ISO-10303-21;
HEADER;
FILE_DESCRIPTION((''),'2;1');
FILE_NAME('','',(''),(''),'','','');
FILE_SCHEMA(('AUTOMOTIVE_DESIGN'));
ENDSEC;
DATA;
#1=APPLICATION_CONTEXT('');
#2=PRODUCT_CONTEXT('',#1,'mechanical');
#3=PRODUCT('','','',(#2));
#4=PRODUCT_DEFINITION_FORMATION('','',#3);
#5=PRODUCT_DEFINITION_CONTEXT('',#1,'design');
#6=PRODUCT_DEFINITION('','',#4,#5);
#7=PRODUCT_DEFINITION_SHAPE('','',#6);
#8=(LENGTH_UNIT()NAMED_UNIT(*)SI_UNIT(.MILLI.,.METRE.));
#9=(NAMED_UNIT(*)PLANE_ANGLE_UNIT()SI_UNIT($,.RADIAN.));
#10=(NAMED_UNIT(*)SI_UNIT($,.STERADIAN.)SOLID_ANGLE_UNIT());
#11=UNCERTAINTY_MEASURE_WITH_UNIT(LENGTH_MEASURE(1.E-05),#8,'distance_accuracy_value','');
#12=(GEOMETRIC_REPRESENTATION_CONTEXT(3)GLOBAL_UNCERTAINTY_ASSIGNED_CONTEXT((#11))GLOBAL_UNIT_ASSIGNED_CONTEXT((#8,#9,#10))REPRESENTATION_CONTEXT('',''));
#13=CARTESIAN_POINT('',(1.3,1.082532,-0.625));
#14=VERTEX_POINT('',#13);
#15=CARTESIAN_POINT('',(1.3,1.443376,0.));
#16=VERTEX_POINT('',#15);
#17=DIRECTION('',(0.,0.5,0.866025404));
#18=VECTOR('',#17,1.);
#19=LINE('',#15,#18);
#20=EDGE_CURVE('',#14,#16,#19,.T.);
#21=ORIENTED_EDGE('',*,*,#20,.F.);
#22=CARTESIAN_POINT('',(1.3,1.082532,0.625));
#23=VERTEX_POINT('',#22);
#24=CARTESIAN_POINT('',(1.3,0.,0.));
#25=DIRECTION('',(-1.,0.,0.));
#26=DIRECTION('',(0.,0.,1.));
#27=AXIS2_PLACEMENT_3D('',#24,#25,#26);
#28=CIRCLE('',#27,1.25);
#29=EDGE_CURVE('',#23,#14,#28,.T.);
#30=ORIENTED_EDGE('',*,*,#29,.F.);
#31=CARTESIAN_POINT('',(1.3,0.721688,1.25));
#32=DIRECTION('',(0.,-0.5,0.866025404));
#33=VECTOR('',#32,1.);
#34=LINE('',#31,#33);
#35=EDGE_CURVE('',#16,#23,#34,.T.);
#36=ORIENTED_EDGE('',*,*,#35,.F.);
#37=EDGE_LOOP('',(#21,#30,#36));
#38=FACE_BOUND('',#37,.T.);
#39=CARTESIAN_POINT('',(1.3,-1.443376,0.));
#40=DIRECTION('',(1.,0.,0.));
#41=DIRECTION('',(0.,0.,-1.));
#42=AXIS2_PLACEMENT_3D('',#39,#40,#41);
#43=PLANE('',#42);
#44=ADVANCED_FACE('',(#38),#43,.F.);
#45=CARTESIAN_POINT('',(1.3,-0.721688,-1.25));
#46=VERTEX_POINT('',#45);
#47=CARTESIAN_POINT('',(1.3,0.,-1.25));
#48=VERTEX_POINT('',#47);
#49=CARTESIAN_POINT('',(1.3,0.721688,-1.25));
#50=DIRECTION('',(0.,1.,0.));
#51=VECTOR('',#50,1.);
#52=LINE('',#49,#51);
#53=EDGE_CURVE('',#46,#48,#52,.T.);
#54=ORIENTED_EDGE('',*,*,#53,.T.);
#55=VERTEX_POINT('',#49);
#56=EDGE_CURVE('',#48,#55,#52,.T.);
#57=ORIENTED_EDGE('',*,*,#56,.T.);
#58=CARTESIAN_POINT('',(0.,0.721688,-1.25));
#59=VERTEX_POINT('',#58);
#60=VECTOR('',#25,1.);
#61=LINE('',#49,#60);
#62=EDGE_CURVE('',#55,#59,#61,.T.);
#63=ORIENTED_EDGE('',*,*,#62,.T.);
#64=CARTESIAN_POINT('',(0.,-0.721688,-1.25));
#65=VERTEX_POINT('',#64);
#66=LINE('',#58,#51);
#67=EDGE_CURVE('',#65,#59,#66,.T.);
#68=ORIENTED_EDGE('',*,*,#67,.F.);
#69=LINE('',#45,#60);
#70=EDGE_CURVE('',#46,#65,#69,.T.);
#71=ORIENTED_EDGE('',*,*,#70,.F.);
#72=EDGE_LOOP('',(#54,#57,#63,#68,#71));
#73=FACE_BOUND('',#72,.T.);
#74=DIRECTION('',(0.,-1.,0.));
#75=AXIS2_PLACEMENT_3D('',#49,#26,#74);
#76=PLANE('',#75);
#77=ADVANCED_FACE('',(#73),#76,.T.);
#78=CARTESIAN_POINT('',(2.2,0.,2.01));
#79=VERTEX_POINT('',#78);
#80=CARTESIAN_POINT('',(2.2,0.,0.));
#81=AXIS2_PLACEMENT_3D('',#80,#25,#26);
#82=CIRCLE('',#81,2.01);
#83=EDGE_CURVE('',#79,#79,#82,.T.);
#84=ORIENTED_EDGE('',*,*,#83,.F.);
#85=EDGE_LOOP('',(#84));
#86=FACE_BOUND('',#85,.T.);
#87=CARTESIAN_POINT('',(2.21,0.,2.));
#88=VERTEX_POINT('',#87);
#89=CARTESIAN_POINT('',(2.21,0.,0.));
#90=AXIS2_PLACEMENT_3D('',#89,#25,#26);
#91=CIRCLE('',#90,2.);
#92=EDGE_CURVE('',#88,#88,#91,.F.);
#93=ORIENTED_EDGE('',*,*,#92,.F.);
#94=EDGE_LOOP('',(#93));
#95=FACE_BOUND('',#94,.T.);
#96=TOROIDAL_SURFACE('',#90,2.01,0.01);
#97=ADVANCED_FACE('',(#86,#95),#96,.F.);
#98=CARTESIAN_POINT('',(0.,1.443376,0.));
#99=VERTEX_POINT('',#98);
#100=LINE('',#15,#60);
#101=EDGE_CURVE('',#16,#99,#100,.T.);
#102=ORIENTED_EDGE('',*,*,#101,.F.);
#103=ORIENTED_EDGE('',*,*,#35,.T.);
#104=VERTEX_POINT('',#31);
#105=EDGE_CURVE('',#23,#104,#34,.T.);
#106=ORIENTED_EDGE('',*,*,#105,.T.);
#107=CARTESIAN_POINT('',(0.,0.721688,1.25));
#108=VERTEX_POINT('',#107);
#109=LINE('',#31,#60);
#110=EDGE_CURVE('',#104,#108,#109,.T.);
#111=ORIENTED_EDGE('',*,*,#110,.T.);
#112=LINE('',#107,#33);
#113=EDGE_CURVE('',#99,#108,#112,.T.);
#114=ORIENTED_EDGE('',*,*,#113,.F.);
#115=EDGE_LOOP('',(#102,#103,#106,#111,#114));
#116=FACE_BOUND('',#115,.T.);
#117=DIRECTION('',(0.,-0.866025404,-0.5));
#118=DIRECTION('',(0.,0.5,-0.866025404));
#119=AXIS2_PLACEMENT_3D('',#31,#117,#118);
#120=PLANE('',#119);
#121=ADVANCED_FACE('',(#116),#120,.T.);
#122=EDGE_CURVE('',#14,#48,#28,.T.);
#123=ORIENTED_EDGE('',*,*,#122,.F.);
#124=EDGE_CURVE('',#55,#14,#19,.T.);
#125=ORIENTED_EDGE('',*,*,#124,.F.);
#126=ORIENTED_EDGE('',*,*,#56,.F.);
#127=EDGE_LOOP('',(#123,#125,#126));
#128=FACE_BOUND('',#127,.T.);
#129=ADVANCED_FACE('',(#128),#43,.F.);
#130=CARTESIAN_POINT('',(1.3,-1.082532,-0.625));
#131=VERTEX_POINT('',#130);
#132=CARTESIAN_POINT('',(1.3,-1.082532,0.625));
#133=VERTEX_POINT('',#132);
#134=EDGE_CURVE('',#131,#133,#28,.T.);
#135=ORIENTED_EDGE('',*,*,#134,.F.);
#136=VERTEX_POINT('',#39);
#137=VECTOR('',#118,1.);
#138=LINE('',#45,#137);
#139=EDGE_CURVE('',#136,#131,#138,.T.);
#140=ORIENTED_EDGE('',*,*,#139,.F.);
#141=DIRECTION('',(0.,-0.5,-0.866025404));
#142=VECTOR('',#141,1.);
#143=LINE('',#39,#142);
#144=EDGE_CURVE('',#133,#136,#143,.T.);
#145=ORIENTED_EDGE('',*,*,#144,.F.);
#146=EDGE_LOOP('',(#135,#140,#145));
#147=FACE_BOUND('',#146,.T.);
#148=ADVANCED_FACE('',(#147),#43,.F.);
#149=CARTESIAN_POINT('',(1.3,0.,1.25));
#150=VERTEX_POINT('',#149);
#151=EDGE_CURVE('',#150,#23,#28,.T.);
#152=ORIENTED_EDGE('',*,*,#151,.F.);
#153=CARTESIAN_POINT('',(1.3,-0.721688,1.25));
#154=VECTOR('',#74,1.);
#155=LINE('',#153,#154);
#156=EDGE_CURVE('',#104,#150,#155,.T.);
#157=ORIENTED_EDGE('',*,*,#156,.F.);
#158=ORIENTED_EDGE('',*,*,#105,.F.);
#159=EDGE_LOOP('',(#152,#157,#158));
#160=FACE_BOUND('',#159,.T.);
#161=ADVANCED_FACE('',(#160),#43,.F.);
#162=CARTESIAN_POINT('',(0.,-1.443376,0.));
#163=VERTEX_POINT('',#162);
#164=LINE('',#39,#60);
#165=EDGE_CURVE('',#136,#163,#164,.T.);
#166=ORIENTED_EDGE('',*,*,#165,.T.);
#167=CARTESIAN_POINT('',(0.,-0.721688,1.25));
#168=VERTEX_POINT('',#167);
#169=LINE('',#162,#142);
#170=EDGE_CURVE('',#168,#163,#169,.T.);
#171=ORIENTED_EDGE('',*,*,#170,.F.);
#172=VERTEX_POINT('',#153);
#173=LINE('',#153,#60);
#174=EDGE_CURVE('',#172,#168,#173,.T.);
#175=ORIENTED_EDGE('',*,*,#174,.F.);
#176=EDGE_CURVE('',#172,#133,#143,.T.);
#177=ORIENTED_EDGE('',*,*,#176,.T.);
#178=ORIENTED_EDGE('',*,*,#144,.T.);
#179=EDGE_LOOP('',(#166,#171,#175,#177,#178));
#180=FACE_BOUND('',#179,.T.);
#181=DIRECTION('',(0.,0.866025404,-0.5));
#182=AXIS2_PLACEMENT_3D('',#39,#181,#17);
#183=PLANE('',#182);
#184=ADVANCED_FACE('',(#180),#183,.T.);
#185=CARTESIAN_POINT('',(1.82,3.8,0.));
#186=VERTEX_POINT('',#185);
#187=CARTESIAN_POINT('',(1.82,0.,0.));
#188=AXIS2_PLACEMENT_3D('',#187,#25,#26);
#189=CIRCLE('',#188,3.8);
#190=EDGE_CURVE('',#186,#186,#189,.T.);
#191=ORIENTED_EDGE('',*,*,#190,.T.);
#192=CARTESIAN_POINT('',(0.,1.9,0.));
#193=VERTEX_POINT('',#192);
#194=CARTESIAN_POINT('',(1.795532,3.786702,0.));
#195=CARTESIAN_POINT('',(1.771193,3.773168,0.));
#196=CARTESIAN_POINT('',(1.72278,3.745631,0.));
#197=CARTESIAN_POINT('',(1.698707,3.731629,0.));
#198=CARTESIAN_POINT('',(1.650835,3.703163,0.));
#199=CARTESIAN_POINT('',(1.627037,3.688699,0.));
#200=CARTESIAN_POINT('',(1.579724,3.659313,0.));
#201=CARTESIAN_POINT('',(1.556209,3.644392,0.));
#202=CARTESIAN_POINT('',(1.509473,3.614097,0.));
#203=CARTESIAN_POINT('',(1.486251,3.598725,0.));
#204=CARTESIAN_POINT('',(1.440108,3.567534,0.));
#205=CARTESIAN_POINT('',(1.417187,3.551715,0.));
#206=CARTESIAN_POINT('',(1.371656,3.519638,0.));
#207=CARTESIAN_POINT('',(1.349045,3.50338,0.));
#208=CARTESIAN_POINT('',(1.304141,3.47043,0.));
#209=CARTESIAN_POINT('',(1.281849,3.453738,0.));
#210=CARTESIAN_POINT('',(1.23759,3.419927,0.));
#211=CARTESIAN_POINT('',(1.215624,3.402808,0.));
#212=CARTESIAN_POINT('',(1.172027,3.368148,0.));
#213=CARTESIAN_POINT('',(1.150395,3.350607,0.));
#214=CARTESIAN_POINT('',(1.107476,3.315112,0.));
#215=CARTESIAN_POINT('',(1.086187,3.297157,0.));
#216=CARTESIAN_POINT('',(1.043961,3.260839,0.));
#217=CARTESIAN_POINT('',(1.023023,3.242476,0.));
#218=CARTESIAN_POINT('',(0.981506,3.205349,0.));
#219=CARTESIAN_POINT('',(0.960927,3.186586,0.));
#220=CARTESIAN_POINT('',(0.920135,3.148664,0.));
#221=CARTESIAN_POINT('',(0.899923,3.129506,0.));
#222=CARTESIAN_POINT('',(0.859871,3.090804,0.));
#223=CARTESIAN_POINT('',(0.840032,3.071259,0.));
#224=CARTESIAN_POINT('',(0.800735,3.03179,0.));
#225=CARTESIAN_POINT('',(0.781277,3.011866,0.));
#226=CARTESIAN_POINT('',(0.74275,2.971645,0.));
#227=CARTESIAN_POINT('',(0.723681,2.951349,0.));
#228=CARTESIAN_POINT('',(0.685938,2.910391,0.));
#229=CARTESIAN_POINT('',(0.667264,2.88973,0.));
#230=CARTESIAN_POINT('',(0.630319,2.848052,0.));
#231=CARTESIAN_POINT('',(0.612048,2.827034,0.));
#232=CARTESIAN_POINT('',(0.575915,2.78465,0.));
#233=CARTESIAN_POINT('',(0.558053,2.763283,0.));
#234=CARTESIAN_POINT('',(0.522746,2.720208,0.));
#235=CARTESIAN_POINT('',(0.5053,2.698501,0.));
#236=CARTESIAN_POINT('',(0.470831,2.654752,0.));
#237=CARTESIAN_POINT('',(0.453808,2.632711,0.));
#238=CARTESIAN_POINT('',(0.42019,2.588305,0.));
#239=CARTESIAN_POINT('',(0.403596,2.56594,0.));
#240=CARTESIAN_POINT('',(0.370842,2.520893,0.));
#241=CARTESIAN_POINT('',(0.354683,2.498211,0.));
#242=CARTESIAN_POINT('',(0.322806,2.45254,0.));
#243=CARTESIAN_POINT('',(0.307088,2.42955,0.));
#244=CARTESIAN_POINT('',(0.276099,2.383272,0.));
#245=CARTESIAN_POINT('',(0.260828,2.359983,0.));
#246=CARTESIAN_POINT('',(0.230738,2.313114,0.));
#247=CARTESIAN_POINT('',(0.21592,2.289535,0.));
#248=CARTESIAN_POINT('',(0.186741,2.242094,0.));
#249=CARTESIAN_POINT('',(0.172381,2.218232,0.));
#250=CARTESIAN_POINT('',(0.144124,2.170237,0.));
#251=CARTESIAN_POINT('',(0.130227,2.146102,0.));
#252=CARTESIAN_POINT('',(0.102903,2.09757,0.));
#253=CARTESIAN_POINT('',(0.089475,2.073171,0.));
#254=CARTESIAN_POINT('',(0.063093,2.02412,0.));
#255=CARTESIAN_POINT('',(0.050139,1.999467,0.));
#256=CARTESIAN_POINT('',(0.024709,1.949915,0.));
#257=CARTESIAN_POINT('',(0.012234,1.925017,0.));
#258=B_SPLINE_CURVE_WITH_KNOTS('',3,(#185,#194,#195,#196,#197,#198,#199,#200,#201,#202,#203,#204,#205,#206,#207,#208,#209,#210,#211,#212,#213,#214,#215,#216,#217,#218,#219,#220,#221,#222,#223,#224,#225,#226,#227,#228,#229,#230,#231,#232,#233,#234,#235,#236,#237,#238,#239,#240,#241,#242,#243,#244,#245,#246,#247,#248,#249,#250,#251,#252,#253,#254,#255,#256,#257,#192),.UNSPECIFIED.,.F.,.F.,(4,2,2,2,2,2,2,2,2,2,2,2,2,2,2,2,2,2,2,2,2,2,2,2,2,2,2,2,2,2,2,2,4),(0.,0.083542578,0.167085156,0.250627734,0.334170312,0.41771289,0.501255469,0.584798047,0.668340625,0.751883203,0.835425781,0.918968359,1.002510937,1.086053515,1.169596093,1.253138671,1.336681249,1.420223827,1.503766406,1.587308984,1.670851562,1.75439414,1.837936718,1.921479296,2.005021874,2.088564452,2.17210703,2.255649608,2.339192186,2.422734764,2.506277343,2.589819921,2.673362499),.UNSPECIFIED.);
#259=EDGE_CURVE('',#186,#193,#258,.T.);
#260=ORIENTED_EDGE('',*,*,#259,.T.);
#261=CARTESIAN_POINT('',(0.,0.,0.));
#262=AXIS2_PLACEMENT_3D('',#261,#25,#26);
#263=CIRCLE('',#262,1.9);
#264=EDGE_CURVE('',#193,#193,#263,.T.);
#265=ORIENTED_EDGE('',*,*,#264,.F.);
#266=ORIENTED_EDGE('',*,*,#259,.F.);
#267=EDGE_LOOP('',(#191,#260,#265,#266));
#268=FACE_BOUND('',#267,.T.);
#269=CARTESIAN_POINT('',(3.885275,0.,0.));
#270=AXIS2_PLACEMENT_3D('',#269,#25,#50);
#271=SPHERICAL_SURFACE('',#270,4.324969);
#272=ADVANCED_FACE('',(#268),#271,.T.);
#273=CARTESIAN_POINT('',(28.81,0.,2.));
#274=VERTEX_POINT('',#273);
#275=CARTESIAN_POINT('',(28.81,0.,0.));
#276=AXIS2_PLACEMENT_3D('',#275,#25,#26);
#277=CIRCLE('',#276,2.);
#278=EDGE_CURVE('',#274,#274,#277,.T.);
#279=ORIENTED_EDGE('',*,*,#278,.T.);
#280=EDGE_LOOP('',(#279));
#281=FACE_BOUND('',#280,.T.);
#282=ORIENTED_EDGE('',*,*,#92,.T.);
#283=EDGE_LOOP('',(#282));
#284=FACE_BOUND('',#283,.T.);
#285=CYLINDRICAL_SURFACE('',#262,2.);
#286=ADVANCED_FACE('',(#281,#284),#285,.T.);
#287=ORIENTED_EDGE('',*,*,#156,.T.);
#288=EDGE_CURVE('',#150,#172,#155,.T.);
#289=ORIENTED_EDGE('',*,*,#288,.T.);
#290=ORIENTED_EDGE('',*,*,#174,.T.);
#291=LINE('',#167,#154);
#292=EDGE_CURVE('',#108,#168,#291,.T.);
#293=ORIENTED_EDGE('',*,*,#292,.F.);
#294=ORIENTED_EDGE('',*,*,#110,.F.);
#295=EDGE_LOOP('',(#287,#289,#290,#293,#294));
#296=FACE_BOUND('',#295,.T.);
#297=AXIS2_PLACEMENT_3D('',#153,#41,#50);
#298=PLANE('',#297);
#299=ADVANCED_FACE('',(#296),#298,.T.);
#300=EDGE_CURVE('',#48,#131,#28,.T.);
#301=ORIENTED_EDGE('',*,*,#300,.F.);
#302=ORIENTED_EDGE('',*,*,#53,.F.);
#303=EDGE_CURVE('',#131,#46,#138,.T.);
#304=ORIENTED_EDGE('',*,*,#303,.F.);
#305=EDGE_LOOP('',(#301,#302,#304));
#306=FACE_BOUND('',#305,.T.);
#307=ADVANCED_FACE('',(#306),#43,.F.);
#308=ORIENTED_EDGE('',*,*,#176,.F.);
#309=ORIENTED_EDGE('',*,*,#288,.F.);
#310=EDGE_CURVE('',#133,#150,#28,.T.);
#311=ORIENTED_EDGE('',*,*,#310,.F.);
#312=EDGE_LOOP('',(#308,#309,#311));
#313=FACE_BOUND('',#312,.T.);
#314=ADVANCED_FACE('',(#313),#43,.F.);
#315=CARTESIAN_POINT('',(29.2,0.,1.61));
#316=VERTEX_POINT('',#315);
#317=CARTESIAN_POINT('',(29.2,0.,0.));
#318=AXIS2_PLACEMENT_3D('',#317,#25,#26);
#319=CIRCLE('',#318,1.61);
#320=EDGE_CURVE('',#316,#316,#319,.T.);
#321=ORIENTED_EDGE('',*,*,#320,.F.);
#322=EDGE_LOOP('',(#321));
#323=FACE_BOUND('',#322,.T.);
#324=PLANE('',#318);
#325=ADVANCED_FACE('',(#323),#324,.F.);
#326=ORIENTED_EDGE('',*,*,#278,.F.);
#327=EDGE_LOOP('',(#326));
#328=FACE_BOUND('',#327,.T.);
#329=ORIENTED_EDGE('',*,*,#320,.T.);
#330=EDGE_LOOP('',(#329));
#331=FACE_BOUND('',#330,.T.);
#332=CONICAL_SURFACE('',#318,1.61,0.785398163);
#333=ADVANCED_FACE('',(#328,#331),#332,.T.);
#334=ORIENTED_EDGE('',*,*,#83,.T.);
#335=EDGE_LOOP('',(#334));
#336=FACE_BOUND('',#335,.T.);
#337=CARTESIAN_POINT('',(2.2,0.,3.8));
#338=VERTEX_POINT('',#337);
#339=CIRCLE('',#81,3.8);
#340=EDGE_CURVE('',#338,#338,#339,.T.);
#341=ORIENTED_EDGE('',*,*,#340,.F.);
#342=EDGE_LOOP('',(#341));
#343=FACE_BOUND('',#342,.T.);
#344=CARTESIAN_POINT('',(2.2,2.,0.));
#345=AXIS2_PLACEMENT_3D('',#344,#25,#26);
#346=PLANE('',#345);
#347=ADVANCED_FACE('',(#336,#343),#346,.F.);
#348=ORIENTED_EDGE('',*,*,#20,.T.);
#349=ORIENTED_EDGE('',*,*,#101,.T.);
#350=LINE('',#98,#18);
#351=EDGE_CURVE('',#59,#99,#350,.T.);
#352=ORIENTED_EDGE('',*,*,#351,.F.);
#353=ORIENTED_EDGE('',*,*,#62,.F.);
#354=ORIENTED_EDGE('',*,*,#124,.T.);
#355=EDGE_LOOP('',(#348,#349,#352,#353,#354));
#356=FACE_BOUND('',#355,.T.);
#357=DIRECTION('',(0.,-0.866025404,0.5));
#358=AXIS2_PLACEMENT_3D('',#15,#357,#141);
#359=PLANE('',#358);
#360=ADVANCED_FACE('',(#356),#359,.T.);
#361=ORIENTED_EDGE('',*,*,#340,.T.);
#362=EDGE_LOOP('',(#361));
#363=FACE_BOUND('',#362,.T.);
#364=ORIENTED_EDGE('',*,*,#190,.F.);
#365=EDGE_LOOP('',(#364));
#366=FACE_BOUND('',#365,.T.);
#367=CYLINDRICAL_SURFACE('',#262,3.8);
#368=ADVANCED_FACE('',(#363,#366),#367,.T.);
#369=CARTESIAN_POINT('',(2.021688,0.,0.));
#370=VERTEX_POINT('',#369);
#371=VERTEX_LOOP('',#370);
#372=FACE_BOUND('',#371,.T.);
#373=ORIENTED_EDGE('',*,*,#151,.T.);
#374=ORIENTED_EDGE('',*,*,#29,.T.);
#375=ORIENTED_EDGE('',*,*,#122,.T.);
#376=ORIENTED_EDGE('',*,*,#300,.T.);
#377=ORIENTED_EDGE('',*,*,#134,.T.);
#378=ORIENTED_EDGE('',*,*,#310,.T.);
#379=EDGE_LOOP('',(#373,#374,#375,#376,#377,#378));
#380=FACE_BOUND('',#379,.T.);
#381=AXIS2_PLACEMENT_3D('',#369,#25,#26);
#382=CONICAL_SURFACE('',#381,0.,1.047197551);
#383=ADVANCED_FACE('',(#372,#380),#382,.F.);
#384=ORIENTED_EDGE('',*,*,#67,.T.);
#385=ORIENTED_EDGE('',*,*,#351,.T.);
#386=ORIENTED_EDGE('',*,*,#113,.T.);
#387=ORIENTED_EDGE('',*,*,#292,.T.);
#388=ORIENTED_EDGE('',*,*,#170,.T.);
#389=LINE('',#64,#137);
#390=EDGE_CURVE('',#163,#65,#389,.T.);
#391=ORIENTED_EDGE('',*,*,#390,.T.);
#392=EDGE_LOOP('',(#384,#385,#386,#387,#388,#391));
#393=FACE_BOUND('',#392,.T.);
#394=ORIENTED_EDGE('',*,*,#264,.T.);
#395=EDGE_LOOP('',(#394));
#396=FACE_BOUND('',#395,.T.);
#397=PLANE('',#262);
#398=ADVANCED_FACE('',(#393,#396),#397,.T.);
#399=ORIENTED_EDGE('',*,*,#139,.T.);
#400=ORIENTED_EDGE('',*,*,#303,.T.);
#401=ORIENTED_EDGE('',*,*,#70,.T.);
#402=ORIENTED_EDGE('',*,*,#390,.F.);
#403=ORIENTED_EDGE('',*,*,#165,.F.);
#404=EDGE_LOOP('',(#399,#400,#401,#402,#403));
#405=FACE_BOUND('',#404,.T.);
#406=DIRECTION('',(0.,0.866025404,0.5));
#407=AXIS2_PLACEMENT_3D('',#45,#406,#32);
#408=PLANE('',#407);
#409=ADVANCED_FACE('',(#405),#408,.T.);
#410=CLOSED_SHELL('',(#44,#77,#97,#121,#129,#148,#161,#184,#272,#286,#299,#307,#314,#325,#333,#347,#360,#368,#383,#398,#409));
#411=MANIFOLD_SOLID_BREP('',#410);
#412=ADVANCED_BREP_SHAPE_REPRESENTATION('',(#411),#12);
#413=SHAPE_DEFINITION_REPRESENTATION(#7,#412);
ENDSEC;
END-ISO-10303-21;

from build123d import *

# Parameters (mm, degrees)
FILLET1_R   = 0.01
HEX_2_DEPTH = 1.3


with BuildPart() as part:
    # BodySke → BaseBody (revolve)
    with BuildSketch(Plane.XY, mode=Mode.PRIVATE) as basebody_sk:
        with BuildLine():
            Line((29.2, 0), (29.2, 1.61))
            Line((29.2, 1.61), (28.81, 2))
            Line((28.81, 2), (2.2, 2))
            Line((2.2, 2), (2.2, 3.8))
            Line((2.2, 3.8), (1.82, 3.8))
            ThreePointArc((1.82, 3.8), (0.762013659, 2.991755338), (0, 1.9))
            Line((0, 1.9), (0, 0))
            Line((0, 0), (29.2, 0))
        make_face()
    revolve(basebody_sk.sketch.rotate(Axis((0, 0, 0), (1, 0, 0)), 90), axis=Axis((0, 0, 0), (1, 0, 0)))

    # Fillet1
    fillet1_edges = [part.edges().sort_by_distance(p)[0] for p in [
        (2.2, 0, -2),
    ]]
    fillet(fillet1_edges, radius=FILLET1_R)

    # Sketch2 → PreBroach (revolve, cut)
    with BuildSketch(Plane.XY, mode=Mode.PRIVATE) as prebroach_sk:
        Polygon((0, 1.25), (1.3, 1.25), (2.021687836, 0), (0, 0), align=None)
    revolve(prebroach_sk.sketch.rotate(Axis((0, 0, 0), (1, 0, 0)), 90), axis=Axis((0, 0, 0), (1, 0, 0)), mode=Mode.SUBTRACT)

    # Sketch3 → Hex 2 (cut)
    with BuildSketch(Plane(origin=(0, 0, 0), x_dir=(0, 0, -1), z_dir=(1, 0, 0))):
        Polygon((-1.25, -0.721687836), (-1.25, 0.721687836), (0, 1.443375673), (1.25, 0.721687836), (1.25, -0.721687836), (0, -1.443375673), align=None)
    extrude(amount=HEX_2_DEPTH, mode=Mode.SUBTRACT)


solid = part.part
